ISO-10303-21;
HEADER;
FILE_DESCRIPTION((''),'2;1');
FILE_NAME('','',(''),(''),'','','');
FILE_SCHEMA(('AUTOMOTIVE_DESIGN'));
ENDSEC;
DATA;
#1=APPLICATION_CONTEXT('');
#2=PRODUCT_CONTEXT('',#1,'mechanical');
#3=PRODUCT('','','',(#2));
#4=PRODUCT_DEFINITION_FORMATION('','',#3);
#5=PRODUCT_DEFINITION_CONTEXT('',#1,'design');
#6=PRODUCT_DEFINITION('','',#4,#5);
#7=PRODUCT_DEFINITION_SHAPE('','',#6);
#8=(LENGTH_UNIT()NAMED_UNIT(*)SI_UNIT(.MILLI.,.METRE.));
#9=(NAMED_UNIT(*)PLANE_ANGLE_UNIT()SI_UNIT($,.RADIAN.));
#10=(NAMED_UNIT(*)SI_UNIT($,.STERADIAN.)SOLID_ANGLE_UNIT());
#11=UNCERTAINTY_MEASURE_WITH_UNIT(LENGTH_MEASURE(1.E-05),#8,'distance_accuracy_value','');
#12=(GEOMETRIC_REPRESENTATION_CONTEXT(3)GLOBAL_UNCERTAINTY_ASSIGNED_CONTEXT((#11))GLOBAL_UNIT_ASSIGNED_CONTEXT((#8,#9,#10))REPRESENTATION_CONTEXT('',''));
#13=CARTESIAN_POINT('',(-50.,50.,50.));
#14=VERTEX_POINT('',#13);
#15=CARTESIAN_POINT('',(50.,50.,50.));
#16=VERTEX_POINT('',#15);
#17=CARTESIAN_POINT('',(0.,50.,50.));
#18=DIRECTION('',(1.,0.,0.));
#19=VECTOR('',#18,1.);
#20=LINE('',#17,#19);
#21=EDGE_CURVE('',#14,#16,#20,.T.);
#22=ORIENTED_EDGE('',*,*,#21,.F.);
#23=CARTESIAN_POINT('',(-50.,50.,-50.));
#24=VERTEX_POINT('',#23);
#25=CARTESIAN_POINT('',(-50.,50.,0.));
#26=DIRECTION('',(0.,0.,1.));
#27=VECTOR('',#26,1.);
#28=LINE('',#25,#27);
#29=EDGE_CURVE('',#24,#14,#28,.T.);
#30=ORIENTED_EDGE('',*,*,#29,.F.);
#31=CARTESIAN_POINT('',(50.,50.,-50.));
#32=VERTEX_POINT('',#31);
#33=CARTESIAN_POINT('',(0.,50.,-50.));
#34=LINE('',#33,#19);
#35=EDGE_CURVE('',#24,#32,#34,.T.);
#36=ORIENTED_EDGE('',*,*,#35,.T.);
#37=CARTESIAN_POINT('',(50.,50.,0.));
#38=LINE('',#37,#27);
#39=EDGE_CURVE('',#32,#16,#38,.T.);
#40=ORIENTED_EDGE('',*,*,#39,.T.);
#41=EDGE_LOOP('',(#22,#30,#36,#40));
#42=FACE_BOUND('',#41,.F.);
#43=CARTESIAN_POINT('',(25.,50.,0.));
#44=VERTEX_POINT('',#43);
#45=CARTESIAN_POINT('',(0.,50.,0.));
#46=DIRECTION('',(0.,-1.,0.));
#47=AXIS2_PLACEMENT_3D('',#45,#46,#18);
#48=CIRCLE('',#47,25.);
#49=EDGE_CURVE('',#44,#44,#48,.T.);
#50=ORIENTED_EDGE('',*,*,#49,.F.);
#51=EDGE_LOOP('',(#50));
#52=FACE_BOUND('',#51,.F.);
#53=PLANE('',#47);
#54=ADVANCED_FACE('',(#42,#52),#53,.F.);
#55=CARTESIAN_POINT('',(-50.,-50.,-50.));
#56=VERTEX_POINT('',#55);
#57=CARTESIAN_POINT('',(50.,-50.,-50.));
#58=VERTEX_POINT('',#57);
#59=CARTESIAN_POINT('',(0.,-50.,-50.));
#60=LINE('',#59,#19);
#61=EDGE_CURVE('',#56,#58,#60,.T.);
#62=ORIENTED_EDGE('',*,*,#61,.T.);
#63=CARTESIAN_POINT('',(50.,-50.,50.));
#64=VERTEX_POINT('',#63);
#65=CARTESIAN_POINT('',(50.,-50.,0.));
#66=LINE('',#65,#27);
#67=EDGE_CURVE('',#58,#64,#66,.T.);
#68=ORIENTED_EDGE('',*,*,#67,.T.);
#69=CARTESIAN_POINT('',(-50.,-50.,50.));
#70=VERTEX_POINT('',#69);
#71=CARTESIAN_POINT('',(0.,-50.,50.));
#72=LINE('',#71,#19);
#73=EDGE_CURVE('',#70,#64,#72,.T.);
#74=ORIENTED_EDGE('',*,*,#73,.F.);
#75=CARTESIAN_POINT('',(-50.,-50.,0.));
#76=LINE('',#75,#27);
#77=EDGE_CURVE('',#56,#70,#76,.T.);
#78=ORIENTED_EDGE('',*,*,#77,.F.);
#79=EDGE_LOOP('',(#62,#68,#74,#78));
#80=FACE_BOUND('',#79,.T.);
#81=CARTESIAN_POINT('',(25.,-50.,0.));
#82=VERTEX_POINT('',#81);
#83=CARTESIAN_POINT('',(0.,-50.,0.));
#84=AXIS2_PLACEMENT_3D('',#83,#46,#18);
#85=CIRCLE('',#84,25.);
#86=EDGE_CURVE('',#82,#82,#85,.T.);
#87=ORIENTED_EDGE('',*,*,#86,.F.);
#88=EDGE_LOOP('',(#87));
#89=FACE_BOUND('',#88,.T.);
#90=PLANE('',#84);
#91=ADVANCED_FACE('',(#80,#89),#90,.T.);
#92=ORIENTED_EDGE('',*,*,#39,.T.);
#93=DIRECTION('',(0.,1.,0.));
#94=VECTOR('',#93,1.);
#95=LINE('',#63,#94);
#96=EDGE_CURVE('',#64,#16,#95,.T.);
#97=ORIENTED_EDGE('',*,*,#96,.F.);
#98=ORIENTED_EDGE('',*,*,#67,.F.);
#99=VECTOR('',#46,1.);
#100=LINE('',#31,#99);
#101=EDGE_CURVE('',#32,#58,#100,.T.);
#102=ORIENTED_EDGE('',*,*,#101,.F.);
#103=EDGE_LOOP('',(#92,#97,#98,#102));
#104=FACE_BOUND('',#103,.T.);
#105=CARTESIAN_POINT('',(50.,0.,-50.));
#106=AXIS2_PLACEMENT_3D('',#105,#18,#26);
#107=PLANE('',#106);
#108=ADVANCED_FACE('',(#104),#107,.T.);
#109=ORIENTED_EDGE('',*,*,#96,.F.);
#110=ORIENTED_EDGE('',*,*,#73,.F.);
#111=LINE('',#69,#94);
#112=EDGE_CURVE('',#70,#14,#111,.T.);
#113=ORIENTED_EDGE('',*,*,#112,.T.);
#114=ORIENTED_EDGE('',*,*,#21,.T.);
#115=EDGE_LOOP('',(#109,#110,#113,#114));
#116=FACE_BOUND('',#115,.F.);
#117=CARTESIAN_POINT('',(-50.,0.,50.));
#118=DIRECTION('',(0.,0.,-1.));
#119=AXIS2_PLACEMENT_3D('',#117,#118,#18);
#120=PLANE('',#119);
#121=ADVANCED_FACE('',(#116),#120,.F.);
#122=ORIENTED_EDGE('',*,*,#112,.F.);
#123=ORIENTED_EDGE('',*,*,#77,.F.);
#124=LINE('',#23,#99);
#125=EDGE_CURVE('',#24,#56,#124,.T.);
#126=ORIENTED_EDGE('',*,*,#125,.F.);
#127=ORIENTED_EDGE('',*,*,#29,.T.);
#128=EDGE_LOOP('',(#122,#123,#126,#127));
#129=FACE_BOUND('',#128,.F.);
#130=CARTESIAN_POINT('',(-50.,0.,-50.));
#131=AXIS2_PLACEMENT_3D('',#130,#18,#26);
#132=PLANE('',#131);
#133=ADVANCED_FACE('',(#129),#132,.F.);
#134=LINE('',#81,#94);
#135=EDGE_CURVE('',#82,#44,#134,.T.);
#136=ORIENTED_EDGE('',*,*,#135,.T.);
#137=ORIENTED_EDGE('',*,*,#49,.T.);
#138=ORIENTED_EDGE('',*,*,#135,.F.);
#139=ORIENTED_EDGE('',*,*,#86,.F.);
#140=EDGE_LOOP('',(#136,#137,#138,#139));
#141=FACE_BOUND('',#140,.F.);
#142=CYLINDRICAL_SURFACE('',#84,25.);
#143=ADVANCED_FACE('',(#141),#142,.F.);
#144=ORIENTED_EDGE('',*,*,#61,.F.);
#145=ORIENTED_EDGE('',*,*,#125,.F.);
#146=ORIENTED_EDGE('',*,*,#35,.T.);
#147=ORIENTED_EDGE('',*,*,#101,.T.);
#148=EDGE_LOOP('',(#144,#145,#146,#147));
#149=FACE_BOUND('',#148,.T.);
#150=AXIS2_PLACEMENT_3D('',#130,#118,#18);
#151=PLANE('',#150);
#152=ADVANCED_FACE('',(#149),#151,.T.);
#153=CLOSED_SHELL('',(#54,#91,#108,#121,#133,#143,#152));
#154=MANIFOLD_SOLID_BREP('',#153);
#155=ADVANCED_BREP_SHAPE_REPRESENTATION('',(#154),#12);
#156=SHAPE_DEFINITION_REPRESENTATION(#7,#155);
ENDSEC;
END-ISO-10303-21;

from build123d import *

# Parameters (mm, degrees)
F0_W     = 100
F0_H     = 100
F1_DEPTH = 50
F2_R     = 25
F3_DEPTH = 100.001


with BuildPart() as f1:
    # F0 (on Front) → F1 (new body, symmetric)
    with BuildSketch(Plane.XZ):
        Rectangle(F0_W, F0_H)
    extrude(amount=F1_DEPTH, both=True)

    # F2 (on face) → F3 (cut, through all)
    with BuildSketch(Plane.XZ.offset(50)):
        Circle(F2_R)
    extrude(amount=-F3_DEPTH, mode=Mode.SUBTRACT)


solid = f1.part
